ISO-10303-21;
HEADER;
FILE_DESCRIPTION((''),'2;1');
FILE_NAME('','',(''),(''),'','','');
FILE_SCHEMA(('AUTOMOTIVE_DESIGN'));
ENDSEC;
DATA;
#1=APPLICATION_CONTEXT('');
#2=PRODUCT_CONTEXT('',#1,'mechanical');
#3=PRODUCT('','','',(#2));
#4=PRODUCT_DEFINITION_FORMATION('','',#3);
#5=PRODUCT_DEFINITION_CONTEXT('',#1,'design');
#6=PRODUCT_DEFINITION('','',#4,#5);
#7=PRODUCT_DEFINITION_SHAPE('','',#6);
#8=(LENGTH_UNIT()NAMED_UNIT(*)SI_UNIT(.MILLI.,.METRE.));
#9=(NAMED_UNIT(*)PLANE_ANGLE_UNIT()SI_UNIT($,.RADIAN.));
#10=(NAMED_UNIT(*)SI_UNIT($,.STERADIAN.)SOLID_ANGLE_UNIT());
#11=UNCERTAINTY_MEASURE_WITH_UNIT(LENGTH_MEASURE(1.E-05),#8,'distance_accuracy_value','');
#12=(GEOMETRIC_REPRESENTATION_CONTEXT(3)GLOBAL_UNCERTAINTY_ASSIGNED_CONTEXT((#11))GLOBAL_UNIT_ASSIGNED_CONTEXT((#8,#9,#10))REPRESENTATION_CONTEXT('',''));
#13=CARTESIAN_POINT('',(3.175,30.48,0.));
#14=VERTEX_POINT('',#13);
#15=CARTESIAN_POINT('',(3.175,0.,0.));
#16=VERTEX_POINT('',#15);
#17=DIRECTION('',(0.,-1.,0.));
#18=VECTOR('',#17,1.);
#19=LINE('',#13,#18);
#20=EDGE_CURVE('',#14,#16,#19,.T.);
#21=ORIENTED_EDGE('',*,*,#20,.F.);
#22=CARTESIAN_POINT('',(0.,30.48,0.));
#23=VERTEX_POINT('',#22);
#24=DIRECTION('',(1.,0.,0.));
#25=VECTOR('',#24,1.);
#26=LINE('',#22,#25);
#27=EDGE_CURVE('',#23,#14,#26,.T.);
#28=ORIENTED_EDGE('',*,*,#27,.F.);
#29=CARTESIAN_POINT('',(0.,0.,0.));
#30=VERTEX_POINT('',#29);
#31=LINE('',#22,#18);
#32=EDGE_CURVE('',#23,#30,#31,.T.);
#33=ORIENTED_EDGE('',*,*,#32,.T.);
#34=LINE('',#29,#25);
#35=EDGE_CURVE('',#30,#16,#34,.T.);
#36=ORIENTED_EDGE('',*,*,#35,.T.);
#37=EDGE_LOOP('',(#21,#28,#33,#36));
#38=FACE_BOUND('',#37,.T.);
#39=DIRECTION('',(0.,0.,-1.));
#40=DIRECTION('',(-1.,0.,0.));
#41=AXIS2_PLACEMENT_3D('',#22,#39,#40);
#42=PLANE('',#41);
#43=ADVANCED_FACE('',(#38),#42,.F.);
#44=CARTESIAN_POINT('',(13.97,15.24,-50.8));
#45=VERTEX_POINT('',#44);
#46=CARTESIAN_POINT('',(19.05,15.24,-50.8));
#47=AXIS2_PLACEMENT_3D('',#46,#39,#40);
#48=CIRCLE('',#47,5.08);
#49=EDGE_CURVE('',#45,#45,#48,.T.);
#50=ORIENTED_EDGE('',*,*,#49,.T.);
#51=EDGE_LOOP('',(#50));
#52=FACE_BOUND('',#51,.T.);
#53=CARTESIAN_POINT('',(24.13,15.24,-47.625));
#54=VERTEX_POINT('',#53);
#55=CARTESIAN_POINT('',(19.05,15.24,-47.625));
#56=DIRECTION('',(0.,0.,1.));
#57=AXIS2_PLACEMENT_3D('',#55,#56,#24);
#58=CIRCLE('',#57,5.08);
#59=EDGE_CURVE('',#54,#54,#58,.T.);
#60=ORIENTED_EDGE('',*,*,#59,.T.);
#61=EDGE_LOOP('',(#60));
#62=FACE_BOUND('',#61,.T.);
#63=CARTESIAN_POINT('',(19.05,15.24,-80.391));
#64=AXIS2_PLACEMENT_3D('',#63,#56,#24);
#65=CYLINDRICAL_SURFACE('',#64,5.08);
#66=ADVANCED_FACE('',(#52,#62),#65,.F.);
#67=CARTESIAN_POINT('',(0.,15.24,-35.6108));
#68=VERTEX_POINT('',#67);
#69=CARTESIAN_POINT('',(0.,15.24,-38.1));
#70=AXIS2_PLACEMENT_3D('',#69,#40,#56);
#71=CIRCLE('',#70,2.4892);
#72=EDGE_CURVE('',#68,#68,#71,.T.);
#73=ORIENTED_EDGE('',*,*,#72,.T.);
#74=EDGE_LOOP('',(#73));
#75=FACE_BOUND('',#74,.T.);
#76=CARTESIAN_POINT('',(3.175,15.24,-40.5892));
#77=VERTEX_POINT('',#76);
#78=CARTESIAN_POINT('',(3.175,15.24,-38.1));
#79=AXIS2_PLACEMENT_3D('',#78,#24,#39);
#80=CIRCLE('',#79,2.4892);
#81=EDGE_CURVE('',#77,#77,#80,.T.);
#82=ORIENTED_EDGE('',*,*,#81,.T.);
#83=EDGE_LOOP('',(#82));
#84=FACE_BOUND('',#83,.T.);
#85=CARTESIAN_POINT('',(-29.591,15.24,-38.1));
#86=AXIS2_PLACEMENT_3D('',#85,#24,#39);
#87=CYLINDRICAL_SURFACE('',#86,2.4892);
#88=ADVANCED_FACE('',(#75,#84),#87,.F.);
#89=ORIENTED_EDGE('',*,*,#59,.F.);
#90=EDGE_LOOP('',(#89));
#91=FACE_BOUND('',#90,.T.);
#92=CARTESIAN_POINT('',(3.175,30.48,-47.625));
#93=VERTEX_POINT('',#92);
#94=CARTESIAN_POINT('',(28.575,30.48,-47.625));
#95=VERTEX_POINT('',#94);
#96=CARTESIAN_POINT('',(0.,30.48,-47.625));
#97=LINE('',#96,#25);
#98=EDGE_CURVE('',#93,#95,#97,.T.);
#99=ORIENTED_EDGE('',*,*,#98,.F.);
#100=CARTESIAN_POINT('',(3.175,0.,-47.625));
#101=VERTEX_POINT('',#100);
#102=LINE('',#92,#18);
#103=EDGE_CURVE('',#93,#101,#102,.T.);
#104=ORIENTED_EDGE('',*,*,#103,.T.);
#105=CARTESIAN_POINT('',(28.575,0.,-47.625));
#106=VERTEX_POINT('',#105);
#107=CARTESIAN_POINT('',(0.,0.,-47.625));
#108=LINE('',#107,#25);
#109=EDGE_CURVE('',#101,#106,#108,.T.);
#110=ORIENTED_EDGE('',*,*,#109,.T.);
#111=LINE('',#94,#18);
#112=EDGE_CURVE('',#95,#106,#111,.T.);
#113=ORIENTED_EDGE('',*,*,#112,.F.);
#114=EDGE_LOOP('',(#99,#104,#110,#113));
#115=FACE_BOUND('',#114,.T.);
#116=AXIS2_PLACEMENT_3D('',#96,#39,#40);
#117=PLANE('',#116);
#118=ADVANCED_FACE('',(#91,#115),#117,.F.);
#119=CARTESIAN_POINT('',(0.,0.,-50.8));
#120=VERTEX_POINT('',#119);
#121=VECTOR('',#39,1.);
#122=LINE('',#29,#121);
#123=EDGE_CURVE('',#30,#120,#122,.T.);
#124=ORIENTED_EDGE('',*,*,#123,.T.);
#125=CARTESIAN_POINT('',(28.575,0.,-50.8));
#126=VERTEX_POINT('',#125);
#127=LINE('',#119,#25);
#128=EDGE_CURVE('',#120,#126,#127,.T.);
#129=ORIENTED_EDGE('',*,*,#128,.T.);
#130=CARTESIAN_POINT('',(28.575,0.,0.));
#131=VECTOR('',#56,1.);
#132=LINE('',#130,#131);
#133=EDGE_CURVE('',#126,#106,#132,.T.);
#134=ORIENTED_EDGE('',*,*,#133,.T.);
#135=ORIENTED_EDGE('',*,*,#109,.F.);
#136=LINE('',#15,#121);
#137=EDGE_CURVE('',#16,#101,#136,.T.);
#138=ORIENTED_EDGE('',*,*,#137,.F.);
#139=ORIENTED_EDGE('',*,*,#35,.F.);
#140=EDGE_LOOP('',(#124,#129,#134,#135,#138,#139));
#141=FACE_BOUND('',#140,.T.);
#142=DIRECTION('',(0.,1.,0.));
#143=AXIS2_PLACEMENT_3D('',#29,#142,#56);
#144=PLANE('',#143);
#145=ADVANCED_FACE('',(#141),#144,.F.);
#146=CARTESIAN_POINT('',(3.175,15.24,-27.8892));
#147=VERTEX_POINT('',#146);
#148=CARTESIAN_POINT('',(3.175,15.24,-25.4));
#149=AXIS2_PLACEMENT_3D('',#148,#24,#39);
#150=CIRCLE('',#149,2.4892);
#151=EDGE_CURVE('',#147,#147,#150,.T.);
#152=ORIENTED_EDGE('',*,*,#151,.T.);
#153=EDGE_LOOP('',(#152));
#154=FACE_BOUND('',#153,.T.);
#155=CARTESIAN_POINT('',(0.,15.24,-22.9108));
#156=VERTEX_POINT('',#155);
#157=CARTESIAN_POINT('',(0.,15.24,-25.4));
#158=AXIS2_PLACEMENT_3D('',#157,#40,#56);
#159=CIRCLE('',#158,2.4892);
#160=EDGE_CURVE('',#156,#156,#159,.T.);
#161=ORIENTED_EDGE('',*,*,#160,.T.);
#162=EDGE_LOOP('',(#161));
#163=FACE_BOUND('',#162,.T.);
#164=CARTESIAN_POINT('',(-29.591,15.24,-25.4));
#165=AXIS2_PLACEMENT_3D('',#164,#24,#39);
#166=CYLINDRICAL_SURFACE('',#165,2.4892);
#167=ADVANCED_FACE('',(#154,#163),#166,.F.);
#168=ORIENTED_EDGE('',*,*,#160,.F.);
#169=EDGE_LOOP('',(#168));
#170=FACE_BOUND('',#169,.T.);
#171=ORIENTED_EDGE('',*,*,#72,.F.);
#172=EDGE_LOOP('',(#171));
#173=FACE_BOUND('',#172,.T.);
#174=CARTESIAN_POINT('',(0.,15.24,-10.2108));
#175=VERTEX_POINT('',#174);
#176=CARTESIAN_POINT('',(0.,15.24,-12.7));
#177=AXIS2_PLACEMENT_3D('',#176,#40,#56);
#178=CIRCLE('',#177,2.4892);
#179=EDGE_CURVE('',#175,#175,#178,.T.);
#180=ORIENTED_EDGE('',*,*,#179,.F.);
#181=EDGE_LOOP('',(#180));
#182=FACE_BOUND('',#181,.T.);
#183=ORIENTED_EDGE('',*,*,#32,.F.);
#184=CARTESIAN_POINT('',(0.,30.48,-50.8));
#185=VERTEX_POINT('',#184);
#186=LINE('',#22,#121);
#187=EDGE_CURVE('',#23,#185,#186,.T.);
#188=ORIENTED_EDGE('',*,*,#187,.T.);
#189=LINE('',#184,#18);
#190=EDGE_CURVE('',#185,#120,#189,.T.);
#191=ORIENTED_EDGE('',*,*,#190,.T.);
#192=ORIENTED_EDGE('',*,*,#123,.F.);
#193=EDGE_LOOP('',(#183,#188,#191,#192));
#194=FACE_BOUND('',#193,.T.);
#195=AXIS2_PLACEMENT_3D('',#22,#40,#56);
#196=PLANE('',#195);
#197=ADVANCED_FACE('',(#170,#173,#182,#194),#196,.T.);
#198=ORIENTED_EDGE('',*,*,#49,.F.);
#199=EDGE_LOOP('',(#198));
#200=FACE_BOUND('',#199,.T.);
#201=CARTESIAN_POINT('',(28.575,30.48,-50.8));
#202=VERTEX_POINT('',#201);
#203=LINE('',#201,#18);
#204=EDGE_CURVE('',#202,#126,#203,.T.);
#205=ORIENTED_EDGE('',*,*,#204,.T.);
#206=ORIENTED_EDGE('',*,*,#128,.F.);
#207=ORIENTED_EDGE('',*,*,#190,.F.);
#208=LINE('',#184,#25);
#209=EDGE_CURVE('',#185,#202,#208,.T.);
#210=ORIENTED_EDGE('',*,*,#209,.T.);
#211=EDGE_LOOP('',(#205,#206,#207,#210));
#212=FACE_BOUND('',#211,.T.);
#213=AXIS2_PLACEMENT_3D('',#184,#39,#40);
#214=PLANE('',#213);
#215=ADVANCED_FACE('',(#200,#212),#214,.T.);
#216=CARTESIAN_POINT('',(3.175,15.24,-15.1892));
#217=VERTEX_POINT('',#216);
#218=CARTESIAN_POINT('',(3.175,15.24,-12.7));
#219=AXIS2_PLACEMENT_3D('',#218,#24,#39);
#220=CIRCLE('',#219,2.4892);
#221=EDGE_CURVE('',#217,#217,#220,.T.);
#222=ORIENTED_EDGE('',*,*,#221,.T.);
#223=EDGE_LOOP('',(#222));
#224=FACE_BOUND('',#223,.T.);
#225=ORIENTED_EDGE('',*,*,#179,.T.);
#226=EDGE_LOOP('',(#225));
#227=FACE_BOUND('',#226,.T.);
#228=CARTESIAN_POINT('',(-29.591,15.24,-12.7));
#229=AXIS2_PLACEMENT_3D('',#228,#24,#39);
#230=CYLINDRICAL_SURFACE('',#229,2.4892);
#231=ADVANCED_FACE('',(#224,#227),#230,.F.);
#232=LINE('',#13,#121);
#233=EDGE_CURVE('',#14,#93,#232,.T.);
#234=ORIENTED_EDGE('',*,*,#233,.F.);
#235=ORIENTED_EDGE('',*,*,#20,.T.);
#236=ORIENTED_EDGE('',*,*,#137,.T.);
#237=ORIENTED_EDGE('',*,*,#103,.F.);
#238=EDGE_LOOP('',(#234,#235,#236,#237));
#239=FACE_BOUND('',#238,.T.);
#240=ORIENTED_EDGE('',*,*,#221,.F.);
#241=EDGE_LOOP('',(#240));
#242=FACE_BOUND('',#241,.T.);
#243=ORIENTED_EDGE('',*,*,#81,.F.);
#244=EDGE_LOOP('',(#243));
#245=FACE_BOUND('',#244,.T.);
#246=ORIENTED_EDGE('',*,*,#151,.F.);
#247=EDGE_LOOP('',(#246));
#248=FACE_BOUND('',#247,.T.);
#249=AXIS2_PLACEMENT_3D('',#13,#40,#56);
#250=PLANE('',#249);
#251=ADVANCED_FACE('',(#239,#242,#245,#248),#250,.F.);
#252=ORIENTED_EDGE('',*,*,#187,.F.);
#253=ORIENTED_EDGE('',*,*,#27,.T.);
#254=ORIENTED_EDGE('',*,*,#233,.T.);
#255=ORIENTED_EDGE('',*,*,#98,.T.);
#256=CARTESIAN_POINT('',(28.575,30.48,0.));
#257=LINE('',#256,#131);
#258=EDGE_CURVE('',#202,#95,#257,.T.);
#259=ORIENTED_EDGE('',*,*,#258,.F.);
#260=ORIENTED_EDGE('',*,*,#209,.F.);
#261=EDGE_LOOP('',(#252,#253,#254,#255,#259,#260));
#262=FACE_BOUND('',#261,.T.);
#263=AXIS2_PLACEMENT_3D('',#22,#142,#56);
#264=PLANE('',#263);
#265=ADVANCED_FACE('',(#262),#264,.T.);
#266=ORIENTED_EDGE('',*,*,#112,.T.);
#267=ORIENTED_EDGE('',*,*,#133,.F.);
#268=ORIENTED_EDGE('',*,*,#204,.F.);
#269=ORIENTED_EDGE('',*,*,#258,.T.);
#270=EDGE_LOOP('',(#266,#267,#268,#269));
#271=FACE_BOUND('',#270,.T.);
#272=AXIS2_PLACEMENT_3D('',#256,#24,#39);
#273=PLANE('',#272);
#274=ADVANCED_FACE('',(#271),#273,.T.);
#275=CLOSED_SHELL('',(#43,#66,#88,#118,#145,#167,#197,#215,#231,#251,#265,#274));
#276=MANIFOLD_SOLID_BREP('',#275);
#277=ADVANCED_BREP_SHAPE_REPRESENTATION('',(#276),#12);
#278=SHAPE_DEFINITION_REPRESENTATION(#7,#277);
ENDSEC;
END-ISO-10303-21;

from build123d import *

# Parameters (mm, degrees)
SKETCH1_W           = 3.175
SKETCH1_H           = 47.625
SKETCH1_W_2         = 25.4
SKETCH1_H_2         = 3.175
BOSS_EXTRUDE1_DEPTH = 30.48
SKETCH2_R           = 5.08
CUT_EXTRUDE1_DEPTH  = 32.766
SKETCH3_R           = 2.4892
CUT_EXTRUDE2_DEPTH  = 32.766


with BuildPart() as part:
    # Sketch1 → Boss-Extrude1 (new body)
    with BuildSketch(Plane(origin=(0, 0, 0), x_dir=(1, 0, 0), z_dir=(0, 1, 0))):
        with Locations((1.5875, 23.8125)):
            Rectangle(SKETCH1_W, SKETCH1_H)
        with Locations((15.875, 49.2125)):
            Rectangle(SKETCH1_W_2, SKETCH1_H_2)
        with Locations((1.5875, 49.2125)):
            Rectangle(SKETCH1_W, SKETCH1_H_2)
    extrude(amount=BOSS_EXTRUDE1_DEPTH)

    # Sketch2 → Cut-Extrude1 (cut)
    with BuildSketch(Plane.XY.offset(-47.625)):
        with Locations((19.05, 15.24)):
            Circle(SKETCH2_R)
    extrude(amount=-CUT_EXTRUDE1_DEPTH, mode=Mode.SUBTRACT)

    # Sketch3 → Cut-Extrude2 (cut)
    with BuildSketch(Plane(origin=(3.175, 0, 0), x_dir=(0, 0, -1), z_dir=(1, 0, 0))):
        with Locations((12.7, 15.24)):
            Circle(SKETCH3_R)
        with Locations((25.4, 15.24)):
            Circle(SKETCH3_R)
        with Locations((38.1, 15.24)):
            Circle(SKETCH3_R)
    extrude(amount=-CUT_EXTRUDE2_DEPTH, mode=Mode.SUBTRACT)


solid = part.part
